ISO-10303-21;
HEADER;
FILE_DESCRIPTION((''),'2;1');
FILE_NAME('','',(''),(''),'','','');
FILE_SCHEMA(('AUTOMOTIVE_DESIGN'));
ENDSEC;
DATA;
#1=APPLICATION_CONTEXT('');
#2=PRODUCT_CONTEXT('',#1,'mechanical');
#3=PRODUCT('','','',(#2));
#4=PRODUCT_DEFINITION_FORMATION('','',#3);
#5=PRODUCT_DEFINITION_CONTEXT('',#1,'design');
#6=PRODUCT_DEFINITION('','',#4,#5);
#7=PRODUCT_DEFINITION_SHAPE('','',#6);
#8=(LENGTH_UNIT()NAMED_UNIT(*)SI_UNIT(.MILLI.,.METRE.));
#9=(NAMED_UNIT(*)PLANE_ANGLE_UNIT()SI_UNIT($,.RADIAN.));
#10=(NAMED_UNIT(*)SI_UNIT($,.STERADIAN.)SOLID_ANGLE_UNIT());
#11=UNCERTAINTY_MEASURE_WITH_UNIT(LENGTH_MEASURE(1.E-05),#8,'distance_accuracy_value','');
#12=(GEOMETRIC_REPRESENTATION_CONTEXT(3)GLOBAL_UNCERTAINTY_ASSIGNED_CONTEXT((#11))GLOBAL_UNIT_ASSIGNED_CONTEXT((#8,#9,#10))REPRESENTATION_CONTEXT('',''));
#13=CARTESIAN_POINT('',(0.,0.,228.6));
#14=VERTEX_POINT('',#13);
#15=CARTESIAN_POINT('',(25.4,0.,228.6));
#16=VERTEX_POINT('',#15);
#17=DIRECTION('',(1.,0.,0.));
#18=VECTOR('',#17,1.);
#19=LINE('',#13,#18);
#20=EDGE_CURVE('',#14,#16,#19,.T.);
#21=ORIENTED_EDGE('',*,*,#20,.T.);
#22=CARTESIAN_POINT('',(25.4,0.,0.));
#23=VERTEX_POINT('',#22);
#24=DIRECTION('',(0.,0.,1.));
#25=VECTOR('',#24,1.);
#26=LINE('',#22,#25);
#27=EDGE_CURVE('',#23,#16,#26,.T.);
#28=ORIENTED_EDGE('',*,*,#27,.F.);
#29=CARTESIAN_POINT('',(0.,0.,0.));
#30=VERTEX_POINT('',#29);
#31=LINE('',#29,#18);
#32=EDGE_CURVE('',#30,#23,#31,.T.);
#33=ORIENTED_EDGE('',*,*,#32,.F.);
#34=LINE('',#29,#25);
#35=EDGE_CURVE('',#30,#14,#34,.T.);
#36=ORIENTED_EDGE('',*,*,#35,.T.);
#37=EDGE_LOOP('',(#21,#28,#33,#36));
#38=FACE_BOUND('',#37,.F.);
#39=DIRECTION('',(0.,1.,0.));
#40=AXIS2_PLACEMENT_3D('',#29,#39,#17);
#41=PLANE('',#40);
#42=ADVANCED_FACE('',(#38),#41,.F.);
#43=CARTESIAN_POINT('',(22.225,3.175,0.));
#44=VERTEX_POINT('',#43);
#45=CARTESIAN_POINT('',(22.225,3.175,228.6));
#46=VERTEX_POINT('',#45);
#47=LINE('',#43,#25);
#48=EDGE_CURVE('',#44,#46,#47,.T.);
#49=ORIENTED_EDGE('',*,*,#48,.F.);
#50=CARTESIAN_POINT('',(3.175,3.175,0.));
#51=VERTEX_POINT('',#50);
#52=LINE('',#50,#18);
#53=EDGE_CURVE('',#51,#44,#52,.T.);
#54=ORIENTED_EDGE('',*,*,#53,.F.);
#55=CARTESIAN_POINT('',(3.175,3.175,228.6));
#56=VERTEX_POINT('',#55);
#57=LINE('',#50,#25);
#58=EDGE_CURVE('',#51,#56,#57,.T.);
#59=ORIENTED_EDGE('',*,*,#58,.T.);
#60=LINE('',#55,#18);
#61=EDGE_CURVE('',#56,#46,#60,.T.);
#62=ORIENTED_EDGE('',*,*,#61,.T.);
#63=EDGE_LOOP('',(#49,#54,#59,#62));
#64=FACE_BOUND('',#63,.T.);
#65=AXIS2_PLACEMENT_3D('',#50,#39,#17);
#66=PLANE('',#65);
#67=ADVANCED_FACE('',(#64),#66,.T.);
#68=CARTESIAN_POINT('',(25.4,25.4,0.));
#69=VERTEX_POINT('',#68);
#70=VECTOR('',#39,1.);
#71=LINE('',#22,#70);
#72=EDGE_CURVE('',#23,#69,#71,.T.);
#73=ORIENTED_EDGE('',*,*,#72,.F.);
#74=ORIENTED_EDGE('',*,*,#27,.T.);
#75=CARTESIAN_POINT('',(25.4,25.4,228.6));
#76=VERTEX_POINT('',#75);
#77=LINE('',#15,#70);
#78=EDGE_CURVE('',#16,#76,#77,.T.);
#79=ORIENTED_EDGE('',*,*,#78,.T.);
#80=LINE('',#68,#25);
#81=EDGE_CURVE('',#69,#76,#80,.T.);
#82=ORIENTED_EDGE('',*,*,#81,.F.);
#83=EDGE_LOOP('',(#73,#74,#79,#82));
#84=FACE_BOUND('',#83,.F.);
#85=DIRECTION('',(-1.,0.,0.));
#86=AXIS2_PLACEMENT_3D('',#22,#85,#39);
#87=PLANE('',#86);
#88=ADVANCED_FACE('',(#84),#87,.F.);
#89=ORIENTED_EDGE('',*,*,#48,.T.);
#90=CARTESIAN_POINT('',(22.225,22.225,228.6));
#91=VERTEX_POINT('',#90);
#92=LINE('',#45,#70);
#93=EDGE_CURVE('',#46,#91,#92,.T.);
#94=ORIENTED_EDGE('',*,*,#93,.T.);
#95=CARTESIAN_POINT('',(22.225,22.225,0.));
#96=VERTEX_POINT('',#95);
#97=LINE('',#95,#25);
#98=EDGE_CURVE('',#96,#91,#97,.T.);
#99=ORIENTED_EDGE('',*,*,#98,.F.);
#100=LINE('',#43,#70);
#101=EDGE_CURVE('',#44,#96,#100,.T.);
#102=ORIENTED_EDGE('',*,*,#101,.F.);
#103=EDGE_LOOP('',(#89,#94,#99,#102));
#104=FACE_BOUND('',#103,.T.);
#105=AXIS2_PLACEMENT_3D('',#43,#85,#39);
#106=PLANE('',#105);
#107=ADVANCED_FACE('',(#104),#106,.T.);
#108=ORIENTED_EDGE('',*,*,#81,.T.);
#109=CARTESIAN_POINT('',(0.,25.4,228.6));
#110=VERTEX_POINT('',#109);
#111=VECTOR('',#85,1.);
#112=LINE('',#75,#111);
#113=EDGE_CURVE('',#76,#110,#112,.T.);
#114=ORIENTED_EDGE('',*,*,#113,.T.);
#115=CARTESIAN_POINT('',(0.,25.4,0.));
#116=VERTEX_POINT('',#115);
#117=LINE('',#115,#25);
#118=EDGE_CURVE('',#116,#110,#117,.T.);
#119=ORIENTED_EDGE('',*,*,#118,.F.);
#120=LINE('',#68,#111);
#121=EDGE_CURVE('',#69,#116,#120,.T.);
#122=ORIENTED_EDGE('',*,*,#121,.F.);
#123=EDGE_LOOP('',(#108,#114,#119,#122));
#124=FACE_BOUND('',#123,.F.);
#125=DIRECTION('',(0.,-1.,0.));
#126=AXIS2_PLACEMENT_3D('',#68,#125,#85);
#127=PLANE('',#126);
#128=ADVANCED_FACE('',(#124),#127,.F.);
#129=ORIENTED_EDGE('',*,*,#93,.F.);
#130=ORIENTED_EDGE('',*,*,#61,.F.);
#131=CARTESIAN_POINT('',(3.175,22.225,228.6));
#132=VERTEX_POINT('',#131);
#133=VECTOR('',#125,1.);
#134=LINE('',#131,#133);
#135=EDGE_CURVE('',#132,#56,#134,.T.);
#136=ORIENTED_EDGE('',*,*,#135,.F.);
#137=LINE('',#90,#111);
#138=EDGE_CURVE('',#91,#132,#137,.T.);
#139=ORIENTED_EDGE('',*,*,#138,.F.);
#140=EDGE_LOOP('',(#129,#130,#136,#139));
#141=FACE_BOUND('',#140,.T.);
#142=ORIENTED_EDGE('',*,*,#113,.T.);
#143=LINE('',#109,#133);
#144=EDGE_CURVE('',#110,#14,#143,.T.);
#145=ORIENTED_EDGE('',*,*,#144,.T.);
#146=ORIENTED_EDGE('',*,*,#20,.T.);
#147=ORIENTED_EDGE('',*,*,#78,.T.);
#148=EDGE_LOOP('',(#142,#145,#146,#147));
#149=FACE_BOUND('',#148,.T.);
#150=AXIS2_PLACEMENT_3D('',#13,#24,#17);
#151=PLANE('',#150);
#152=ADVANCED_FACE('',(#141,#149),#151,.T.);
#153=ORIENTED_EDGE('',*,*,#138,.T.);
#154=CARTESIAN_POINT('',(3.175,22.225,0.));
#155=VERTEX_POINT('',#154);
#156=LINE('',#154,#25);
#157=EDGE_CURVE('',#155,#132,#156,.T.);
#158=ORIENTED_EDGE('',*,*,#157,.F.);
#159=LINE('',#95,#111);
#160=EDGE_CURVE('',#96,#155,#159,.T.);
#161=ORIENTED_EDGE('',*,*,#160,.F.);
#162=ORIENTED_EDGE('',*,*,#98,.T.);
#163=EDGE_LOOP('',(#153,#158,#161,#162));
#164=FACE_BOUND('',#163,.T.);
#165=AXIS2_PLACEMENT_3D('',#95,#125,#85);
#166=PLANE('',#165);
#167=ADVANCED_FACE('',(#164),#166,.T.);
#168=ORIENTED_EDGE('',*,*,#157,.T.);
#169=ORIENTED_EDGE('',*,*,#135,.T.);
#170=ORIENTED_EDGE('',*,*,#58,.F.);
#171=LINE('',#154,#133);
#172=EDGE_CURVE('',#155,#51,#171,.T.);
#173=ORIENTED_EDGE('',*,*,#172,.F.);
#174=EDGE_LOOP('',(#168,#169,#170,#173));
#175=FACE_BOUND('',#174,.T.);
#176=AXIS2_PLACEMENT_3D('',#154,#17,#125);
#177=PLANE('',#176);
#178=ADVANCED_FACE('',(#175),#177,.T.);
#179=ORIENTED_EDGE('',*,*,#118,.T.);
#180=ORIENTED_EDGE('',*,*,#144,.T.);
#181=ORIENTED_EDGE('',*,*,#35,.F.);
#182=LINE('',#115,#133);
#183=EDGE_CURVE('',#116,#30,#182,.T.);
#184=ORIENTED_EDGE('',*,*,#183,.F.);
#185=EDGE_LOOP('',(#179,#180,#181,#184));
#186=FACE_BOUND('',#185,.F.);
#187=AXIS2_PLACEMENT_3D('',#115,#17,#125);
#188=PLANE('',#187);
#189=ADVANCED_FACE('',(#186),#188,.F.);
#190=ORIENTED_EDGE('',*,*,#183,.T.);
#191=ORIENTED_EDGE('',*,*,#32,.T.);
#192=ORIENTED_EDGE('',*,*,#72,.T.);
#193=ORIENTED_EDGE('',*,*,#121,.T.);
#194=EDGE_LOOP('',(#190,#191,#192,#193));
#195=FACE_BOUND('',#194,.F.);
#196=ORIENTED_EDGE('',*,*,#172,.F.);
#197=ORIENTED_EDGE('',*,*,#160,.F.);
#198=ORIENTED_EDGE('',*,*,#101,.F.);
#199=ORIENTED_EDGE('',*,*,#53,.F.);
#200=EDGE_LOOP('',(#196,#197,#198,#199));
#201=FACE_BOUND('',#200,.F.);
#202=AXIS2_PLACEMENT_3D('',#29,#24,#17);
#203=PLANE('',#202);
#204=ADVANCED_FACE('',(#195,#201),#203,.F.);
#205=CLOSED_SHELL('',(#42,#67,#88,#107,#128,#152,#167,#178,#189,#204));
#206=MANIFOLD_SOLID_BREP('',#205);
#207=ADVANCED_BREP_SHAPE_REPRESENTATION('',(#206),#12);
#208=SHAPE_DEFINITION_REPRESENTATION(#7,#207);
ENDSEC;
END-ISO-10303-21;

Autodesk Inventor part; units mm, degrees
ref_plane "YZ Plane" through (0, 0, 0) normal (1, 0, 0) x (0, 1, 0)
ref_plane "XZ Plane" through (0, 0, 0) normal (0, 1, 0) x (-1, 0, 0)
ref_plane "XY Plane" through (0, 0, 0) normal (0, 0, 1) x (1, 0, 0)
sketch "Sketch1" plane through (0, 0, 0) normal (0, 0, 1) x (1, 0, 0)
  line L0 (0, 0) -> (25.4, 0)
  line L1 (25.4, 0) -> (25.4, 25.4)
  line L2 (25.4, 25.4) -> (0, 25.4)
  line L3 (0, 25.4) -> (0, 0)
  line L4 (3.175, 3.175) -> (22.225, 3.175)
  line L5 (22.225, 3.175) -> (22.225, 22.225)
  line L6 (22.225, 22.225) -> (3.175, 22.225)
  line L7 (3.175, 22.225) -> (3.175, 3.175)
  dimension "d0" = 25.4
  dimension "d1" = 25.4
  dimension "d2" = 3.175
  dimension "d3" = 3.175
  dimension "d4" = 3.175
  dimension "d5" = 3.175
extrude "Extrusion1" add sketch "Sketch1" along normal blind 228.6
equation "\"d2\" = d3"
equation "\"d3\" = d4"
equation "\"d4\" = d5"
properties part number "vertical frame piece"
